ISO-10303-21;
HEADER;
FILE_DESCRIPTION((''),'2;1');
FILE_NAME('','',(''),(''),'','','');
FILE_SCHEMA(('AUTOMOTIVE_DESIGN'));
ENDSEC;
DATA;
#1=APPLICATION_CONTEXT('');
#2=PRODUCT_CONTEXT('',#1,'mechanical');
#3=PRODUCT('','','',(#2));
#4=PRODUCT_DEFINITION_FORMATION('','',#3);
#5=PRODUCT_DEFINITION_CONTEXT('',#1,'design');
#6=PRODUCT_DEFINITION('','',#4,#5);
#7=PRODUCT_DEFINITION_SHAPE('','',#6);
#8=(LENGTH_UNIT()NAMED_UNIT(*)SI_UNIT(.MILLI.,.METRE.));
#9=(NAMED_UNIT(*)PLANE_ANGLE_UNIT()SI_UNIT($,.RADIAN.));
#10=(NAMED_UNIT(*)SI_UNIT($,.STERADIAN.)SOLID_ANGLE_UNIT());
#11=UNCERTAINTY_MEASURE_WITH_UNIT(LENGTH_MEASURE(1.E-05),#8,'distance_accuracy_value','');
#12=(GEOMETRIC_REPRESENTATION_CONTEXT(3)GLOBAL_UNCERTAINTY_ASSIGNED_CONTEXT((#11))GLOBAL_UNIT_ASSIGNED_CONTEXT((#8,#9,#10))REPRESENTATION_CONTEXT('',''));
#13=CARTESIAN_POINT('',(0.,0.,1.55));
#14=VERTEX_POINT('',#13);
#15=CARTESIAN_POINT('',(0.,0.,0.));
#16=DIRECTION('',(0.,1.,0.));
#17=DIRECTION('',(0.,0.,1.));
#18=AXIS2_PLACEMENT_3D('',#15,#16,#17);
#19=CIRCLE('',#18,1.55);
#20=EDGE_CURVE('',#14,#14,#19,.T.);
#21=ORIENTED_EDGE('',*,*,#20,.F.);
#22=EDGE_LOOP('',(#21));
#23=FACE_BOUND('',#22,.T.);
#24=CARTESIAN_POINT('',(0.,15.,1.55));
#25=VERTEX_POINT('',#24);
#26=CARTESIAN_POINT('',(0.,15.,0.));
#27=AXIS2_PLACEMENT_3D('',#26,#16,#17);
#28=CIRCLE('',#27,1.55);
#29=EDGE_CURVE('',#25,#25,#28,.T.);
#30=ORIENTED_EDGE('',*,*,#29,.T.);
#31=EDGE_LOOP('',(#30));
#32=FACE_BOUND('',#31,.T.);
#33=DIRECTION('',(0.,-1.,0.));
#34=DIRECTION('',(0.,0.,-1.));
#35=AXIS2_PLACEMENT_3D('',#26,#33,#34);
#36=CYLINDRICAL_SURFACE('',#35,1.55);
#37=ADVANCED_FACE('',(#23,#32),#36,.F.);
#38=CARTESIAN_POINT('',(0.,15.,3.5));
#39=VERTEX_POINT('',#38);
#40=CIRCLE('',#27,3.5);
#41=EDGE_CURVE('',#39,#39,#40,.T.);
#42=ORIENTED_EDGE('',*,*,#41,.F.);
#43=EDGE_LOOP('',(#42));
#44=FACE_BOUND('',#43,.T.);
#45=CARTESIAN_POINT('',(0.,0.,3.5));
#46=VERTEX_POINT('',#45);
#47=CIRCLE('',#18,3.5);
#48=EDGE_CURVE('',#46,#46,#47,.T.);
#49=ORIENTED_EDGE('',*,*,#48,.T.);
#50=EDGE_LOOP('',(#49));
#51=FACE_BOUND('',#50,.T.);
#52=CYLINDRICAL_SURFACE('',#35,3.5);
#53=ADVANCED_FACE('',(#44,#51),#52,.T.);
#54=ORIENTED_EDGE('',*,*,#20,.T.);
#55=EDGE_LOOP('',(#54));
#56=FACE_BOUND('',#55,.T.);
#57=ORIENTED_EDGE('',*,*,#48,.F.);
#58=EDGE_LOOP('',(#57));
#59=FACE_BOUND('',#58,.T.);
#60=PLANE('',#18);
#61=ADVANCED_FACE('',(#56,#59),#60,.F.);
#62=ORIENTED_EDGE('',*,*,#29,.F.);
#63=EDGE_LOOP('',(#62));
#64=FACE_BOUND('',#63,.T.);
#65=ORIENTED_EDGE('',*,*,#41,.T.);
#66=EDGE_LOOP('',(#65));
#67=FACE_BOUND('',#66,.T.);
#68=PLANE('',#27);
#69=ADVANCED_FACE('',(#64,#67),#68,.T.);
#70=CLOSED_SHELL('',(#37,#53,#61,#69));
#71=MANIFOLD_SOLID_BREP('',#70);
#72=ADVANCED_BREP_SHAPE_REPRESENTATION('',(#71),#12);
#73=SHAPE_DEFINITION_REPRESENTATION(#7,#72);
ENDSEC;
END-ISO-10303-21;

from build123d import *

# Parameters (mm, degrees)
SKETCH1_R           = 3.5
SKETCH1_R_2         = 1.55
BOSS_EXTRUDE1_DEPTH = 15


with BuildPart() as part:
    # Sketch1 → Boss-Extrude1 (new body)
    with BuildSketch(Plane(origin=(0, 0, 0), x_dir=(1, 0, 0), z_dir=(0, 1, 0))):
        with Locations(Location((0, 0, 0), (0, 0, 270))):
            Circle(SKETCH1_R)
        with Locations(Location((0, 0, 0), (0, 0, 270))):
            Circle(SKETCH1_R_2, mode=Mode.SUBTRACT)
    extrude(amount=BOSS_EXTRUDE1_DEPTH)


solid = part.part
